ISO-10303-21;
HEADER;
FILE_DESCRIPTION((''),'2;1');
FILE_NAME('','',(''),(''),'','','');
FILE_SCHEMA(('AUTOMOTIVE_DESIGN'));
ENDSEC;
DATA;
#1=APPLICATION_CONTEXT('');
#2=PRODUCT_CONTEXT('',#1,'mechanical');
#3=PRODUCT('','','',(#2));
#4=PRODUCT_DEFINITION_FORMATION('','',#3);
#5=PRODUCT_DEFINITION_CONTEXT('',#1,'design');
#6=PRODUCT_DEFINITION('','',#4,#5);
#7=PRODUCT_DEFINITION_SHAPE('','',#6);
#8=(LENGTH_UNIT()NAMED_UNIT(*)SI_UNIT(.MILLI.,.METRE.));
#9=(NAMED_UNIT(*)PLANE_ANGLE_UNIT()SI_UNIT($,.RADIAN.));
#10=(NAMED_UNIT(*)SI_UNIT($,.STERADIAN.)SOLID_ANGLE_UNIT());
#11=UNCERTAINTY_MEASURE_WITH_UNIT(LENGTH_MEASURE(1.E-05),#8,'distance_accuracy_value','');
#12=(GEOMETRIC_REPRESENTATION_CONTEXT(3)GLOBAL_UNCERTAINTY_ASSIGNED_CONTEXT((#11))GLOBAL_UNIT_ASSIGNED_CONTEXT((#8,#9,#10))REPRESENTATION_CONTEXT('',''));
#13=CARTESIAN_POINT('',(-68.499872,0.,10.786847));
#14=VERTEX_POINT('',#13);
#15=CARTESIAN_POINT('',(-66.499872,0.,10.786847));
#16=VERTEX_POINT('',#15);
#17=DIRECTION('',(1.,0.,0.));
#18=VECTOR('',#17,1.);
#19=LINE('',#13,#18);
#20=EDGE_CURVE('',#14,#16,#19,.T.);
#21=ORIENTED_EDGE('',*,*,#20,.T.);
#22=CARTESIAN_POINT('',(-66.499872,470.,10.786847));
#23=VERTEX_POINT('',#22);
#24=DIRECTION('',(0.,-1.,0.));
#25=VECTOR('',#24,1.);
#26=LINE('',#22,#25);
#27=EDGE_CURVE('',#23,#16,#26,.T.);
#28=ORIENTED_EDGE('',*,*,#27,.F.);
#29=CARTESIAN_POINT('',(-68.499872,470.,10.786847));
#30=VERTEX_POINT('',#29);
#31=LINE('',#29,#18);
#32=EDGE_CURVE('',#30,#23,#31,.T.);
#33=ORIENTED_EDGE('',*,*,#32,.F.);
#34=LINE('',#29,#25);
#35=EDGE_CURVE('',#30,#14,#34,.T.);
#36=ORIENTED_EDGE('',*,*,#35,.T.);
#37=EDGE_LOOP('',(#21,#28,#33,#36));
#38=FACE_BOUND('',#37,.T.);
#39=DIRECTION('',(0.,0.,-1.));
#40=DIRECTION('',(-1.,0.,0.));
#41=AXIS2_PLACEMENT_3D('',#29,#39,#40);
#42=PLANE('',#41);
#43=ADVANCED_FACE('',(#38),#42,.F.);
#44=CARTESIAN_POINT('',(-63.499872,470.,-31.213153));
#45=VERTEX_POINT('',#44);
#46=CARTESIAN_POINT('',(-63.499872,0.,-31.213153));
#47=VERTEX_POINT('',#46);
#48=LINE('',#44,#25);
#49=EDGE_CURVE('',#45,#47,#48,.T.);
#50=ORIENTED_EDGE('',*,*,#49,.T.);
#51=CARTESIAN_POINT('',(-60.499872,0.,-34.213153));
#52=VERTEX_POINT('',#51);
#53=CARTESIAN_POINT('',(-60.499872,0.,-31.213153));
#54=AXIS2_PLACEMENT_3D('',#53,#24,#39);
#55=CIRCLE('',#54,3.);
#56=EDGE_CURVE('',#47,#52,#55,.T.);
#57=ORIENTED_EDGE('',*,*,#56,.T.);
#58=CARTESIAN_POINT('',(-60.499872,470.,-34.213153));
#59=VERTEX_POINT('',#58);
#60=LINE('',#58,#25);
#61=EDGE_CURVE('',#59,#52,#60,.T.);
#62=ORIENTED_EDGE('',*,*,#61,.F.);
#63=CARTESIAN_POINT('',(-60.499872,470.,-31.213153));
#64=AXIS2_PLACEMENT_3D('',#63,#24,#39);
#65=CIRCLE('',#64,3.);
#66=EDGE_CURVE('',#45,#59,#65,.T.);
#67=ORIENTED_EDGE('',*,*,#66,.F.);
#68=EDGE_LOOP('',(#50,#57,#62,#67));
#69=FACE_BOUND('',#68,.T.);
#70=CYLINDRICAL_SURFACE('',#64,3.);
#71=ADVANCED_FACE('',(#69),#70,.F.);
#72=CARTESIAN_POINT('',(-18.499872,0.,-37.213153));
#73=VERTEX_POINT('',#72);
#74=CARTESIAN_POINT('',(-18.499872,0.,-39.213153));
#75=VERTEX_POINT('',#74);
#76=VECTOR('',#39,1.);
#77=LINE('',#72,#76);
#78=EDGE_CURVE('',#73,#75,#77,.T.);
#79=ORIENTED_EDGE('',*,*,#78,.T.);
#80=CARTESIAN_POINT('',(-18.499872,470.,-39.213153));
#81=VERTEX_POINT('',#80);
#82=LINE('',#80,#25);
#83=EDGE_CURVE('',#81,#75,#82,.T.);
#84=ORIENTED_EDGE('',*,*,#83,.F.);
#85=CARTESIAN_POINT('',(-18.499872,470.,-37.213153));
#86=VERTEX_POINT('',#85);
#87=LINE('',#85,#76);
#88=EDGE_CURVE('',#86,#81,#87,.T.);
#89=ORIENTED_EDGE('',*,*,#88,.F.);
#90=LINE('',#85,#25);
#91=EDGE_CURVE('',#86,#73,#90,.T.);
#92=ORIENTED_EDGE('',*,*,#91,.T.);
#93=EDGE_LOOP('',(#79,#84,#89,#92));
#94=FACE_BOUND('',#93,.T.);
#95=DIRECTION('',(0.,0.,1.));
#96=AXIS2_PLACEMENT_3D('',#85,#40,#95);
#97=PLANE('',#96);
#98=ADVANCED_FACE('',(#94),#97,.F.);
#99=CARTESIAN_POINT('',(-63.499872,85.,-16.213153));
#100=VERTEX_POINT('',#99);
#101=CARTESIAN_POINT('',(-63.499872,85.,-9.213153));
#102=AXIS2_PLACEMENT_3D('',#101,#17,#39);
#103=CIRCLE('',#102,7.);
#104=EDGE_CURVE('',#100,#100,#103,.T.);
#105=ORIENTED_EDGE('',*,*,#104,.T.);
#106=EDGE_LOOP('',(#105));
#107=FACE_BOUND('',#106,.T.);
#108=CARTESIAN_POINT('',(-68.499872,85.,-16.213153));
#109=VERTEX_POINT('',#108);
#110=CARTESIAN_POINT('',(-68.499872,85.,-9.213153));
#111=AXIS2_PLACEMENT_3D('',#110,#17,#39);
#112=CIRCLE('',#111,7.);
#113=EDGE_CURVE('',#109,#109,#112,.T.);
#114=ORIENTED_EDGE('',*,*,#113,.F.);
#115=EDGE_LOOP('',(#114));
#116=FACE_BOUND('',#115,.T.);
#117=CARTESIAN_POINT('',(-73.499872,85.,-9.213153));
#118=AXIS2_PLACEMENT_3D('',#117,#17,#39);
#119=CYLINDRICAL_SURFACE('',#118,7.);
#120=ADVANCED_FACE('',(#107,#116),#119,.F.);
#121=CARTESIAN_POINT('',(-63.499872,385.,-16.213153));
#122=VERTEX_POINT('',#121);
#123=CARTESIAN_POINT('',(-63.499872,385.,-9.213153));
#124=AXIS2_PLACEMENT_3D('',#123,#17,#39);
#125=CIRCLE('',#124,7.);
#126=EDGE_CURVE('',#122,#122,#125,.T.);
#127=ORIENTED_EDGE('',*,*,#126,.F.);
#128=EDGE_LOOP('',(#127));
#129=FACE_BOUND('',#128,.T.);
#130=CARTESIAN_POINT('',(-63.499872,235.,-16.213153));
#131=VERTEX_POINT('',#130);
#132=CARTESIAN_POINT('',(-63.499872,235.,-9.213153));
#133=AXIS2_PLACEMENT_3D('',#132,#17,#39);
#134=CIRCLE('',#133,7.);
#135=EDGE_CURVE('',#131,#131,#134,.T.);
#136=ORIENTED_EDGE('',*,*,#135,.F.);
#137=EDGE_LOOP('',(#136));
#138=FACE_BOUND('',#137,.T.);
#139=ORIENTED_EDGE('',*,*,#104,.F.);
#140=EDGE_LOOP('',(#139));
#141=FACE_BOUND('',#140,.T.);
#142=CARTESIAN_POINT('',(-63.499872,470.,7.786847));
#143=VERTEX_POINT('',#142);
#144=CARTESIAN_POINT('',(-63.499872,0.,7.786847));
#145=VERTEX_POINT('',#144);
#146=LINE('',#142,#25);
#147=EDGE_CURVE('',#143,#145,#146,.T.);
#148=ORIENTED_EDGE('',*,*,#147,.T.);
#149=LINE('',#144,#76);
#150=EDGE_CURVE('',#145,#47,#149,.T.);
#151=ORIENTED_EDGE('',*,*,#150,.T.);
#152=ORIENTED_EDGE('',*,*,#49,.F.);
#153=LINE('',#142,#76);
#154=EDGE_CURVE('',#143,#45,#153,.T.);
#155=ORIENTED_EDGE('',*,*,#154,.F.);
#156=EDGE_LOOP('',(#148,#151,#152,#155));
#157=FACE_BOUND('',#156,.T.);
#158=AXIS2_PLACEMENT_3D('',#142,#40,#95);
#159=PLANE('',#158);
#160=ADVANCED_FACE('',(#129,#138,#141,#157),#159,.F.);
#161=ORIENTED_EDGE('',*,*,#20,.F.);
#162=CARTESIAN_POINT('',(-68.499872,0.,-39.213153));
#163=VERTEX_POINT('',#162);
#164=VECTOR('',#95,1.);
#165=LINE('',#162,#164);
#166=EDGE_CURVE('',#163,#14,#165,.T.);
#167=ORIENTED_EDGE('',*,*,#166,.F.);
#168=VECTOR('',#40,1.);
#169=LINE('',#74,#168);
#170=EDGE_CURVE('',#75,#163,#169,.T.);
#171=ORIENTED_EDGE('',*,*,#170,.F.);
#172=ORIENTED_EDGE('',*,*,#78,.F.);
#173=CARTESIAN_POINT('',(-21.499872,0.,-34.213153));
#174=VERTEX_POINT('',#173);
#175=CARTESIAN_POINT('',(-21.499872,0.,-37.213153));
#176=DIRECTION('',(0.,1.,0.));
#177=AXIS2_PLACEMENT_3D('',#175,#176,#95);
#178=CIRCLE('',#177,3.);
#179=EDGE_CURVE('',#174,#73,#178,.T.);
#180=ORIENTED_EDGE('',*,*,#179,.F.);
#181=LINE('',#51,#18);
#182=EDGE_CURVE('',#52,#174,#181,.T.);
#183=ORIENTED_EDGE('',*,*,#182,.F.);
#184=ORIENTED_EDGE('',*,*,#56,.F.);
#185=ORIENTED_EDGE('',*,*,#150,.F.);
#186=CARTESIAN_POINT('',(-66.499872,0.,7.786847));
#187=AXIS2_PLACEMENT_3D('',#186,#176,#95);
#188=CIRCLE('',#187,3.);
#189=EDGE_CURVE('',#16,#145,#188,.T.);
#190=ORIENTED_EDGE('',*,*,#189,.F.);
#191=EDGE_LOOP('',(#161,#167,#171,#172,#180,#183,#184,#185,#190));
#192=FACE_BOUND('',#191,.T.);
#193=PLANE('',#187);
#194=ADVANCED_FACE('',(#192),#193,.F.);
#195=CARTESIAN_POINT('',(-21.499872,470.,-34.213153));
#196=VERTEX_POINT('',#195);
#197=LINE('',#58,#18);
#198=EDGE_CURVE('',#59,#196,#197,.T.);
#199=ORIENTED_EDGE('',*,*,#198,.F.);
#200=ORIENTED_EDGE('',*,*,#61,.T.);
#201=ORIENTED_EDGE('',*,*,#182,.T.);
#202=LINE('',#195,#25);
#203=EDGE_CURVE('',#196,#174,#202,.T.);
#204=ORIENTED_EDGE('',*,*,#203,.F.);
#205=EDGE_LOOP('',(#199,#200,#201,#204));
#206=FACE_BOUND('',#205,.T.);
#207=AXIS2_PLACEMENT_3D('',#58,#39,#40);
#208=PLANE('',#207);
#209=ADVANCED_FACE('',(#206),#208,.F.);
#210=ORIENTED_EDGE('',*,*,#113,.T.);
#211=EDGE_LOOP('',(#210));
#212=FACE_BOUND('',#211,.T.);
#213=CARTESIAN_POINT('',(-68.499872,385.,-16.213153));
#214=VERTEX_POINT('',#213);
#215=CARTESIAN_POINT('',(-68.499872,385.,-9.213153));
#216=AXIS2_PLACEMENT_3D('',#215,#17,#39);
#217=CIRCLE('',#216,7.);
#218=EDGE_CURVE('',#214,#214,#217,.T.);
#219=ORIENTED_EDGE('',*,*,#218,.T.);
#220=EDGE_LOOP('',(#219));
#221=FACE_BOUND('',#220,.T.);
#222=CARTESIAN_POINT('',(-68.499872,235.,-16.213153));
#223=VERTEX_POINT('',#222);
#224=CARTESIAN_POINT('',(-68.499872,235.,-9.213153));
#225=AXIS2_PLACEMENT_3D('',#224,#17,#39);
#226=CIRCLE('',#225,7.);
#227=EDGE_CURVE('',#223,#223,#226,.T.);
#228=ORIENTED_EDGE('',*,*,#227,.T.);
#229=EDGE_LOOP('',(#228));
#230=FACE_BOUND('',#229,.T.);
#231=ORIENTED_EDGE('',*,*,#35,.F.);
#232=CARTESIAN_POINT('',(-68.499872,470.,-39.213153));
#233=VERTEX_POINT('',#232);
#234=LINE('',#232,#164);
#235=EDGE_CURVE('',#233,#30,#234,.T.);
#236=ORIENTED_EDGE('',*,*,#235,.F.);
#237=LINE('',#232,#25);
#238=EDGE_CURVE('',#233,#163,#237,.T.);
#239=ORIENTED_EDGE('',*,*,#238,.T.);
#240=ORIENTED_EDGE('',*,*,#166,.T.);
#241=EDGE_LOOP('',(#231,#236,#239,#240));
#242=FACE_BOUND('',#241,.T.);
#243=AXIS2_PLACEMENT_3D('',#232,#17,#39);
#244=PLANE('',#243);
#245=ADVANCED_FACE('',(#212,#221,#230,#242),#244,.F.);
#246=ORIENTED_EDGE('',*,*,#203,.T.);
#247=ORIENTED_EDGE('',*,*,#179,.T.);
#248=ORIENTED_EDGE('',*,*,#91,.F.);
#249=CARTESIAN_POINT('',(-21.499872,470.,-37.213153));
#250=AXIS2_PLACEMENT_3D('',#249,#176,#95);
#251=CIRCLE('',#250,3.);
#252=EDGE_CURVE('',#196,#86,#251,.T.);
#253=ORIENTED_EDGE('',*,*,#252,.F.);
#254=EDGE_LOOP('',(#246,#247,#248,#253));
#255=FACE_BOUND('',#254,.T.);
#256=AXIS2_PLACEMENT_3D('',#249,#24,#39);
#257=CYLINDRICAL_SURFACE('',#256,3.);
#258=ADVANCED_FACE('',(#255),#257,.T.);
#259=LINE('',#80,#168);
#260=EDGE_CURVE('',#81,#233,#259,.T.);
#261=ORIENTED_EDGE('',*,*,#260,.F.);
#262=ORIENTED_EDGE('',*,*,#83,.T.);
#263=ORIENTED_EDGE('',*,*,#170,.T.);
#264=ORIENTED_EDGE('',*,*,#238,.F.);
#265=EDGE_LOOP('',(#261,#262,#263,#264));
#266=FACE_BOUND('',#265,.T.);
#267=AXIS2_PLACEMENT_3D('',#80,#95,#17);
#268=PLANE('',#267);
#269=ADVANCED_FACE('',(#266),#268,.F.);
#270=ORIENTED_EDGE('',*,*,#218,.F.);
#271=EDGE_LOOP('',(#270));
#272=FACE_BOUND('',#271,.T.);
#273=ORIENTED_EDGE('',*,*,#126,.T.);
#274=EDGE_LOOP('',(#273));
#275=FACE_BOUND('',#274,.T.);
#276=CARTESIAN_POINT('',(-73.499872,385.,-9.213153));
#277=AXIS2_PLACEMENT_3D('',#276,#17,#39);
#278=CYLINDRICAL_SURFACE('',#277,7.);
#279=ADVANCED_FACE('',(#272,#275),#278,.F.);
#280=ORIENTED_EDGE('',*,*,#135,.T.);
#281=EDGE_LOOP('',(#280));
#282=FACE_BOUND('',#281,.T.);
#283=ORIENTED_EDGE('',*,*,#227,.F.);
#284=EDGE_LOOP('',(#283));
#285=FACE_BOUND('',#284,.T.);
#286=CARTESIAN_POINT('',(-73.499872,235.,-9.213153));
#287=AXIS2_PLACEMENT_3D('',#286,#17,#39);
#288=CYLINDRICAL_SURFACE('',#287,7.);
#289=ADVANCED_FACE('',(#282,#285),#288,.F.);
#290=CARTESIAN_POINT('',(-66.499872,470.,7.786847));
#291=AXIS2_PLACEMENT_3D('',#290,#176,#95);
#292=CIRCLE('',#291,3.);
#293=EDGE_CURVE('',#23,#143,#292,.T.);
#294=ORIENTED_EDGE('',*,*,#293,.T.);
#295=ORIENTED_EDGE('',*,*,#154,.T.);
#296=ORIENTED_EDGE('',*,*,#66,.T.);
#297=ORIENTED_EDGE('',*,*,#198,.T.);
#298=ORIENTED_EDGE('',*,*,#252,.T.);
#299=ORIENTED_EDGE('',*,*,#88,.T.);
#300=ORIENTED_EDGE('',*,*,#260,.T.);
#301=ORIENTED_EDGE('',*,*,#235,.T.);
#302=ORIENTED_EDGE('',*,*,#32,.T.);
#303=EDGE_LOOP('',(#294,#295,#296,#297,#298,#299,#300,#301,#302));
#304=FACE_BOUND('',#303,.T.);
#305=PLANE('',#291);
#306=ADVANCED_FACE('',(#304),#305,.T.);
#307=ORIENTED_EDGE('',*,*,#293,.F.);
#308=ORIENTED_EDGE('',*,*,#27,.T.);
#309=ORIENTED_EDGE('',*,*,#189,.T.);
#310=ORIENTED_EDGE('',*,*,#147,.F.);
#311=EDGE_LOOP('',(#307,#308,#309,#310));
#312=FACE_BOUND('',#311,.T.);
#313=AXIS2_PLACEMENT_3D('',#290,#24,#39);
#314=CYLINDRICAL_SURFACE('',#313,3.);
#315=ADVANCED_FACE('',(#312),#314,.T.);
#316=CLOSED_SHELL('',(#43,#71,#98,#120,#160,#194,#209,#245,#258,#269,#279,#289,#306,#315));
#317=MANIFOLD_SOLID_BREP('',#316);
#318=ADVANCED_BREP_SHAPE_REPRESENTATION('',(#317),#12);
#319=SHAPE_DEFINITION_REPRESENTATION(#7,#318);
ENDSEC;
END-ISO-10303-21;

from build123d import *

# Parameters (mm, degrees)
BOSS_EXTRUDE1_DEPTH = 470
SKETCH3_R           = 7
CUT_EXTRUDE2_DEPTH  = 10


with BuildPart() as part:
    # Sketch1 → Boss-Extrude1 (new body)
    with BuildSketch(Plane(origin=(0, 0, 0), x_dir=(1, 0, 0), z_dir=(0, 1, 0))):
        with BuildLine():
            Line((-18.499872145, 39.213153277), (-68.499872145, 39.213153277))
            Line((-68.499872145, 39.213153277), (-68.499872145, -10.786846723))
            Line((-68.499872145, -10.786846723), (-66.499872145, -10.786846723))
            ThreePointArc((-66.499872145, -10.786846723), (-64.378551801, -9.908167067), (-63.499872145, -7.786846723))
            Line((-63.499872145, -7.786846723), (-63.499872145, 31.213153277))
            ThreePointArc((-63.499872145, 31.213153277), (-62.621192489, 33.334473621), (-60.499872145, 34.213153277))
            Line((-60.499872145, 34.213153277), (-21.499872145, 34.213153277))
            ThreePointArc((-21.499872145, 34.213153277), (-19.378551801, 35.091832933), (-18.499872145, 37.213153277))
            Line((-18.499872145, 37.213153277), (-18.499872145, 39.213153277))
        make_face()
    extrude(amount=BOSS_EXTRUDE1_DEPTH)

    # Sketch3 → Cut-Extrude2 (cut)
    with BuildSketch(Plane(origin=(-63.499872145, 0, 0), x_dir=(0, 0, -1), z_dir=(1, 0, 0))):
        with Locations((9.213153277, 235)):
            Circle(SKETCH3_R)
        with Locations((9.213153277, 85)):
            Circle(SKETCH3_R)
        with Locations((9.213153277, 385)):
            Circle(SKETCH3_R)
    extrude(amount=-CUT_EXTRUDE2_DEPTH, mode=Mode.SUBTRACT)


solid = part.part
